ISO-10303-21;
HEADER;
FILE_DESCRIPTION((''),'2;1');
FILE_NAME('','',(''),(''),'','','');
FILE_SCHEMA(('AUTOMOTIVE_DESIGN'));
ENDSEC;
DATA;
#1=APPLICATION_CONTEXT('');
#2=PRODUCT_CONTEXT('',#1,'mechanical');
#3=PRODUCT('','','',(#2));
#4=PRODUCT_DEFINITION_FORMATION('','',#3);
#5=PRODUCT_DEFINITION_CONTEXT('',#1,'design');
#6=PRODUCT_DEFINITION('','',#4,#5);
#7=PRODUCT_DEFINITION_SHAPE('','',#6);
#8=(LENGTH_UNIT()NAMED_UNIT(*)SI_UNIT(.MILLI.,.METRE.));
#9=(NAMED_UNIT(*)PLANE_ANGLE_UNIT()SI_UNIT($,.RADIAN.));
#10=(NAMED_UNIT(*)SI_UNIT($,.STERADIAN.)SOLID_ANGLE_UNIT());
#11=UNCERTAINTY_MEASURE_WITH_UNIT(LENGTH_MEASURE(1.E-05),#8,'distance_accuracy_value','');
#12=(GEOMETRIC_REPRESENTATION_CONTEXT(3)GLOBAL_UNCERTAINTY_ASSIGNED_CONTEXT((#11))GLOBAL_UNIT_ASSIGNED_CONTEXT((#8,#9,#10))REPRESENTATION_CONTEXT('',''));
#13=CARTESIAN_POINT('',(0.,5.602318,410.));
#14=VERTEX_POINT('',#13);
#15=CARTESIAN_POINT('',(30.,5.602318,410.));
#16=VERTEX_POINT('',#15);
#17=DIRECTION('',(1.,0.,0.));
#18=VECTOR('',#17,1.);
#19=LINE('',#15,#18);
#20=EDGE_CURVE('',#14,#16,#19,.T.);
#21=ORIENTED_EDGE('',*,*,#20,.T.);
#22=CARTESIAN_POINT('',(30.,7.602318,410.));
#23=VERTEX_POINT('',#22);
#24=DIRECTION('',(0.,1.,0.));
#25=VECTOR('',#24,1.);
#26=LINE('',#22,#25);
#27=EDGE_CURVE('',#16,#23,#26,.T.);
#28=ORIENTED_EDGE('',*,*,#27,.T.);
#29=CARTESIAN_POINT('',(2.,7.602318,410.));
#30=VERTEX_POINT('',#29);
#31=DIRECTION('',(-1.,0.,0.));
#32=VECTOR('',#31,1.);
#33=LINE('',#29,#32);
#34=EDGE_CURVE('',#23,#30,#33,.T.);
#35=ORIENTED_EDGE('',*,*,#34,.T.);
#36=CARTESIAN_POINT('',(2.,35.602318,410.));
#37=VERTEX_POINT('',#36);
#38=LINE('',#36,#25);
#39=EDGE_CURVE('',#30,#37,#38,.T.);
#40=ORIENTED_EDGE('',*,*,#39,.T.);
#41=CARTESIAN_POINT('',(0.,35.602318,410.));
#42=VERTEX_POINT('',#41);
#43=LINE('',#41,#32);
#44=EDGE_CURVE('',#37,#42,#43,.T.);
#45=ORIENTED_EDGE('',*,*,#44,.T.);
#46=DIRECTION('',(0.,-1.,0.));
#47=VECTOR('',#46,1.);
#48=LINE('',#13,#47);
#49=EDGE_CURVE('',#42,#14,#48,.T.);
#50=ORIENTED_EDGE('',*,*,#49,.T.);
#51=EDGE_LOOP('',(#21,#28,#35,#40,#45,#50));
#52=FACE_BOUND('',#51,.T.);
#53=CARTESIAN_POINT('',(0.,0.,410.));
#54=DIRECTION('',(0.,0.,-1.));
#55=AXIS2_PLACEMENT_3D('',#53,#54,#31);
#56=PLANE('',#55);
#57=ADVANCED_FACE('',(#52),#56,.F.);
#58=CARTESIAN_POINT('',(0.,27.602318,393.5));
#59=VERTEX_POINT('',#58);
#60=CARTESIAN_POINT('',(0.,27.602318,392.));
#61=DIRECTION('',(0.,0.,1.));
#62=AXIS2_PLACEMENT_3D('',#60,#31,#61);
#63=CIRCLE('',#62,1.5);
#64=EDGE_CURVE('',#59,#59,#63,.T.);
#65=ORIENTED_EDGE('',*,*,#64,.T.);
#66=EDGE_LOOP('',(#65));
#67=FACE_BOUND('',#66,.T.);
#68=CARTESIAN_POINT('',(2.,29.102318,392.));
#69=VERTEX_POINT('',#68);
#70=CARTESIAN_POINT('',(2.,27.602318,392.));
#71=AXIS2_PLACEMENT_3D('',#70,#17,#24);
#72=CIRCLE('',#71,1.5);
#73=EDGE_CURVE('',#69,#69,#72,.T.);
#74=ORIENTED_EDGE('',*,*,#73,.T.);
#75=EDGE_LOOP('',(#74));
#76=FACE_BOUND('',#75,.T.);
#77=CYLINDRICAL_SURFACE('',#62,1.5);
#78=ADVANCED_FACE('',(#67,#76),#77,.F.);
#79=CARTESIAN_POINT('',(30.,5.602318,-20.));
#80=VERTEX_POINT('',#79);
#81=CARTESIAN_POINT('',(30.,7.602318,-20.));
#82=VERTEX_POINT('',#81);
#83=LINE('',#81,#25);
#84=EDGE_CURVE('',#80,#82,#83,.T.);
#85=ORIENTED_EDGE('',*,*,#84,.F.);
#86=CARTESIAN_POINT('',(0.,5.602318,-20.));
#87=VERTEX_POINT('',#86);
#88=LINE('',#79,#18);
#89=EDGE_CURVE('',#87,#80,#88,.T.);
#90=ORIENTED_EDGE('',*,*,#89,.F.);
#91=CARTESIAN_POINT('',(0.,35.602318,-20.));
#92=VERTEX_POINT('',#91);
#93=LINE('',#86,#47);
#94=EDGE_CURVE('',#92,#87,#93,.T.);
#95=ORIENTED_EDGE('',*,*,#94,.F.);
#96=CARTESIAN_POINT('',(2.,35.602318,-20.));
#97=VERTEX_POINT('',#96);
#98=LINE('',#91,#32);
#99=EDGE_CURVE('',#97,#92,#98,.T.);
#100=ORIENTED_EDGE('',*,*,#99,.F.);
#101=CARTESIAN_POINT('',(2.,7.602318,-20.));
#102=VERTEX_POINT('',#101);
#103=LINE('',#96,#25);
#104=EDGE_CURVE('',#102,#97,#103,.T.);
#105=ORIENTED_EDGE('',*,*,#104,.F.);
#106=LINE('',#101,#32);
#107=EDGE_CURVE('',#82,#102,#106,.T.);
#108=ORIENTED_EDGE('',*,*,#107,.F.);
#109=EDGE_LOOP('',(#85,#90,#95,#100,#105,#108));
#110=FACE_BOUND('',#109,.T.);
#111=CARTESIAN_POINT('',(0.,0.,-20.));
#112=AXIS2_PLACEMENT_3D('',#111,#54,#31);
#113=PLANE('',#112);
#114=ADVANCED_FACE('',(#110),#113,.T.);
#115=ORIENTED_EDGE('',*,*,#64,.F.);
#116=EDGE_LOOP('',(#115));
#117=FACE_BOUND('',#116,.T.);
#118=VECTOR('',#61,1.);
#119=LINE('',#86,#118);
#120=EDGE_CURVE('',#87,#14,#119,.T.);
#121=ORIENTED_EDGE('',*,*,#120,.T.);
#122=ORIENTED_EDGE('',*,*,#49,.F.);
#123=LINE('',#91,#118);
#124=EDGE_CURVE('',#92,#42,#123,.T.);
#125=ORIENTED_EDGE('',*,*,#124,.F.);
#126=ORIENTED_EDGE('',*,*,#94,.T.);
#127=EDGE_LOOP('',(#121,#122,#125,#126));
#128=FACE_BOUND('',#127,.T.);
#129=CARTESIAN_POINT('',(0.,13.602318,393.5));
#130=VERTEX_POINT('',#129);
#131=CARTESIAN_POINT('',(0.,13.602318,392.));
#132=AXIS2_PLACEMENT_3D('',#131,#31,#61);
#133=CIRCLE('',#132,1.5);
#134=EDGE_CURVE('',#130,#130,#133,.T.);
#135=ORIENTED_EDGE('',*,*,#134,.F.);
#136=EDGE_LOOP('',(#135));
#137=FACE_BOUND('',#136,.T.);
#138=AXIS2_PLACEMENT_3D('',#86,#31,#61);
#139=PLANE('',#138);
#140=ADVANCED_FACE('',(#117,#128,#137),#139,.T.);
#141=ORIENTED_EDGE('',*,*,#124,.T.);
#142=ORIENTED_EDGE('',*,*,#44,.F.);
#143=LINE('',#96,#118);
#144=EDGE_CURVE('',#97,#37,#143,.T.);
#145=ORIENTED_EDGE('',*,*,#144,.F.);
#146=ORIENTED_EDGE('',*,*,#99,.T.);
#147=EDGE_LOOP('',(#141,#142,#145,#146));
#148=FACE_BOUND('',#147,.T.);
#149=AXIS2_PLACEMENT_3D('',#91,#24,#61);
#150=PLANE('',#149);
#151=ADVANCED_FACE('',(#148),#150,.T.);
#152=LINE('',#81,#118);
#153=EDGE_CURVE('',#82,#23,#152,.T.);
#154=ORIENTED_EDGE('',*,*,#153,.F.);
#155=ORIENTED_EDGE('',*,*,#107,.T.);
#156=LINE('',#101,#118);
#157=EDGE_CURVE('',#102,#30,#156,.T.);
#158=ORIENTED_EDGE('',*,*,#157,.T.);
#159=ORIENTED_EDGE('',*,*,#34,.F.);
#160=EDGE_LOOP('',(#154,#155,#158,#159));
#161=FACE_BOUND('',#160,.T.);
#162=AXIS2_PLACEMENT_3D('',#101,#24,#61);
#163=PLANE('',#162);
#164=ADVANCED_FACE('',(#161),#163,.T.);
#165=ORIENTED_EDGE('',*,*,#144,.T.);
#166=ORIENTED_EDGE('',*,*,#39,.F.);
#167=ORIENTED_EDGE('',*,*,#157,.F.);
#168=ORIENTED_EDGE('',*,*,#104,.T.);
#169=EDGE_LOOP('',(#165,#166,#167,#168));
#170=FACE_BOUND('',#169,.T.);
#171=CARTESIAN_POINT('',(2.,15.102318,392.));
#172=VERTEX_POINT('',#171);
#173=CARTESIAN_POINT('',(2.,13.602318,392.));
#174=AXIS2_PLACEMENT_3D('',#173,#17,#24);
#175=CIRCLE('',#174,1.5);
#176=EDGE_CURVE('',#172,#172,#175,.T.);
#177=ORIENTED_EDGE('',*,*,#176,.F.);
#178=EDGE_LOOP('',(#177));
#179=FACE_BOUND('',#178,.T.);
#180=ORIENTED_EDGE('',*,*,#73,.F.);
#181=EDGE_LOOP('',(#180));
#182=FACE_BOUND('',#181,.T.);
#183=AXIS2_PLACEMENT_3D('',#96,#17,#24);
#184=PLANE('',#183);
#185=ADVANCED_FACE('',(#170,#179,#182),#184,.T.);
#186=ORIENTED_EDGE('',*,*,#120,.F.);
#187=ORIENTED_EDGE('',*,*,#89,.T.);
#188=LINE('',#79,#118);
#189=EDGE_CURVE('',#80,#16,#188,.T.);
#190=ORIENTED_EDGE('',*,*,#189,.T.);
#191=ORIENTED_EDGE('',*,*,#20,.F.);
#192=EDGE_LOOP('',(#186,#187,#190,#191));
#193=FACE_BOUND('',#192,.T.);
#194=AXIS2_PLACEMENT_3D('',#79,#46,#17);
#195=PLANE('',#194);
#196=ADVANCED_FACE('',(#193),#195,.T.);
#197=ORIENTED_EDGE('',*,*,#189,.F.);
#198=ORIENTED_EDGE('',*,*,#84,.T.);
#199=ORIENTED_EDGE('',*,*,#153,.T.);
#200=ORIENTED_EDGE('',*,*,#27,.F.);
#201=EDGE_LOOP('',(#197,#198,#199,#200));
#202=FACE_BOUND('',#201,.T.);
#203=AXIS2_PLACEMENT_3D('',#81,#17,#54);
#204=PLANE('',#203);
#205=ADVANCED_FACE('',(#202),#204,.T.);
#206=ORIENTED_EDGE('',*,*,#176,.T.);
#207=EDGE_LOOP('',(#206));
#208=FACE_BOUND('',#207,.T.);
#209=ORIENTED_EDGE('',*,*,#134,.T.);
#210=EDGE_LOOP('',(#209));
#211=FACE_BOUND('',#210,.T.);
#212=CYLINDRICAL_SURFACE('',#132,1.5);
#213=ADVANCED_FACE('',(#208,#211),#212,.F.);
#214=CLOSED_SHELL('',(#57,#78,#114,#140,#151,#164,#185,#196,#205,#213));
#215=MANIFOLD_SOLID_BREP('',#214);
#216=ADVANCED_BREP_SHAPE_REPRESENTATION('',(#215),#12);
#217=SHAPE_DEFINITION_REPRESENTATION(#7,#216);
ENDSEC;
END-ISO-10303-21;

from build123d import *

# Parameters (mm, degrees)
BOSS_EXTRUDE1_DEPTH      = 410
BOSS_EXTRUDE1_DEPTH_BACK = 20
F_3_0_3_DIAMETER_HOLE1_D = 3


with BuildPart() as part:
    # Sketch1 → Boss-Extrude1 (new, two sides: drawn at the far end of the back side and taken through both)
    with BuildSketch(Plane.XY.offset(-BOSS_EXTRUDE1_DEPTH_BACK)):
        Polygon((0, 5.602318429), (0, 35.602318429), (2, 35.602318429), (2, 7.602318429), (30, 7.602318429), (30, 5.602318429), align=None)
    extrude(amount=BOSS_EXTRUDE1_DEPTH + BOSS_EXTRUDE1_DEPTH_BACK)

    # Ø3.0 (3) Diameter Hole1 (through all)
    with Locations(Plane(origin=(0, 136.46431451, 221.32004832), x_dir=(0, 1, 0), z_dir=(-1, 0, 0))):
        with Locations((-122.861996081, -170.67995168), (-108.861996081, -170.67995168), (215.138003919, -170.67995168), (201.138003919, -170.67995168)):
            Hole(F_3_0_3_DIAMETER_HOLE1_D / 2)


solid = part.part
